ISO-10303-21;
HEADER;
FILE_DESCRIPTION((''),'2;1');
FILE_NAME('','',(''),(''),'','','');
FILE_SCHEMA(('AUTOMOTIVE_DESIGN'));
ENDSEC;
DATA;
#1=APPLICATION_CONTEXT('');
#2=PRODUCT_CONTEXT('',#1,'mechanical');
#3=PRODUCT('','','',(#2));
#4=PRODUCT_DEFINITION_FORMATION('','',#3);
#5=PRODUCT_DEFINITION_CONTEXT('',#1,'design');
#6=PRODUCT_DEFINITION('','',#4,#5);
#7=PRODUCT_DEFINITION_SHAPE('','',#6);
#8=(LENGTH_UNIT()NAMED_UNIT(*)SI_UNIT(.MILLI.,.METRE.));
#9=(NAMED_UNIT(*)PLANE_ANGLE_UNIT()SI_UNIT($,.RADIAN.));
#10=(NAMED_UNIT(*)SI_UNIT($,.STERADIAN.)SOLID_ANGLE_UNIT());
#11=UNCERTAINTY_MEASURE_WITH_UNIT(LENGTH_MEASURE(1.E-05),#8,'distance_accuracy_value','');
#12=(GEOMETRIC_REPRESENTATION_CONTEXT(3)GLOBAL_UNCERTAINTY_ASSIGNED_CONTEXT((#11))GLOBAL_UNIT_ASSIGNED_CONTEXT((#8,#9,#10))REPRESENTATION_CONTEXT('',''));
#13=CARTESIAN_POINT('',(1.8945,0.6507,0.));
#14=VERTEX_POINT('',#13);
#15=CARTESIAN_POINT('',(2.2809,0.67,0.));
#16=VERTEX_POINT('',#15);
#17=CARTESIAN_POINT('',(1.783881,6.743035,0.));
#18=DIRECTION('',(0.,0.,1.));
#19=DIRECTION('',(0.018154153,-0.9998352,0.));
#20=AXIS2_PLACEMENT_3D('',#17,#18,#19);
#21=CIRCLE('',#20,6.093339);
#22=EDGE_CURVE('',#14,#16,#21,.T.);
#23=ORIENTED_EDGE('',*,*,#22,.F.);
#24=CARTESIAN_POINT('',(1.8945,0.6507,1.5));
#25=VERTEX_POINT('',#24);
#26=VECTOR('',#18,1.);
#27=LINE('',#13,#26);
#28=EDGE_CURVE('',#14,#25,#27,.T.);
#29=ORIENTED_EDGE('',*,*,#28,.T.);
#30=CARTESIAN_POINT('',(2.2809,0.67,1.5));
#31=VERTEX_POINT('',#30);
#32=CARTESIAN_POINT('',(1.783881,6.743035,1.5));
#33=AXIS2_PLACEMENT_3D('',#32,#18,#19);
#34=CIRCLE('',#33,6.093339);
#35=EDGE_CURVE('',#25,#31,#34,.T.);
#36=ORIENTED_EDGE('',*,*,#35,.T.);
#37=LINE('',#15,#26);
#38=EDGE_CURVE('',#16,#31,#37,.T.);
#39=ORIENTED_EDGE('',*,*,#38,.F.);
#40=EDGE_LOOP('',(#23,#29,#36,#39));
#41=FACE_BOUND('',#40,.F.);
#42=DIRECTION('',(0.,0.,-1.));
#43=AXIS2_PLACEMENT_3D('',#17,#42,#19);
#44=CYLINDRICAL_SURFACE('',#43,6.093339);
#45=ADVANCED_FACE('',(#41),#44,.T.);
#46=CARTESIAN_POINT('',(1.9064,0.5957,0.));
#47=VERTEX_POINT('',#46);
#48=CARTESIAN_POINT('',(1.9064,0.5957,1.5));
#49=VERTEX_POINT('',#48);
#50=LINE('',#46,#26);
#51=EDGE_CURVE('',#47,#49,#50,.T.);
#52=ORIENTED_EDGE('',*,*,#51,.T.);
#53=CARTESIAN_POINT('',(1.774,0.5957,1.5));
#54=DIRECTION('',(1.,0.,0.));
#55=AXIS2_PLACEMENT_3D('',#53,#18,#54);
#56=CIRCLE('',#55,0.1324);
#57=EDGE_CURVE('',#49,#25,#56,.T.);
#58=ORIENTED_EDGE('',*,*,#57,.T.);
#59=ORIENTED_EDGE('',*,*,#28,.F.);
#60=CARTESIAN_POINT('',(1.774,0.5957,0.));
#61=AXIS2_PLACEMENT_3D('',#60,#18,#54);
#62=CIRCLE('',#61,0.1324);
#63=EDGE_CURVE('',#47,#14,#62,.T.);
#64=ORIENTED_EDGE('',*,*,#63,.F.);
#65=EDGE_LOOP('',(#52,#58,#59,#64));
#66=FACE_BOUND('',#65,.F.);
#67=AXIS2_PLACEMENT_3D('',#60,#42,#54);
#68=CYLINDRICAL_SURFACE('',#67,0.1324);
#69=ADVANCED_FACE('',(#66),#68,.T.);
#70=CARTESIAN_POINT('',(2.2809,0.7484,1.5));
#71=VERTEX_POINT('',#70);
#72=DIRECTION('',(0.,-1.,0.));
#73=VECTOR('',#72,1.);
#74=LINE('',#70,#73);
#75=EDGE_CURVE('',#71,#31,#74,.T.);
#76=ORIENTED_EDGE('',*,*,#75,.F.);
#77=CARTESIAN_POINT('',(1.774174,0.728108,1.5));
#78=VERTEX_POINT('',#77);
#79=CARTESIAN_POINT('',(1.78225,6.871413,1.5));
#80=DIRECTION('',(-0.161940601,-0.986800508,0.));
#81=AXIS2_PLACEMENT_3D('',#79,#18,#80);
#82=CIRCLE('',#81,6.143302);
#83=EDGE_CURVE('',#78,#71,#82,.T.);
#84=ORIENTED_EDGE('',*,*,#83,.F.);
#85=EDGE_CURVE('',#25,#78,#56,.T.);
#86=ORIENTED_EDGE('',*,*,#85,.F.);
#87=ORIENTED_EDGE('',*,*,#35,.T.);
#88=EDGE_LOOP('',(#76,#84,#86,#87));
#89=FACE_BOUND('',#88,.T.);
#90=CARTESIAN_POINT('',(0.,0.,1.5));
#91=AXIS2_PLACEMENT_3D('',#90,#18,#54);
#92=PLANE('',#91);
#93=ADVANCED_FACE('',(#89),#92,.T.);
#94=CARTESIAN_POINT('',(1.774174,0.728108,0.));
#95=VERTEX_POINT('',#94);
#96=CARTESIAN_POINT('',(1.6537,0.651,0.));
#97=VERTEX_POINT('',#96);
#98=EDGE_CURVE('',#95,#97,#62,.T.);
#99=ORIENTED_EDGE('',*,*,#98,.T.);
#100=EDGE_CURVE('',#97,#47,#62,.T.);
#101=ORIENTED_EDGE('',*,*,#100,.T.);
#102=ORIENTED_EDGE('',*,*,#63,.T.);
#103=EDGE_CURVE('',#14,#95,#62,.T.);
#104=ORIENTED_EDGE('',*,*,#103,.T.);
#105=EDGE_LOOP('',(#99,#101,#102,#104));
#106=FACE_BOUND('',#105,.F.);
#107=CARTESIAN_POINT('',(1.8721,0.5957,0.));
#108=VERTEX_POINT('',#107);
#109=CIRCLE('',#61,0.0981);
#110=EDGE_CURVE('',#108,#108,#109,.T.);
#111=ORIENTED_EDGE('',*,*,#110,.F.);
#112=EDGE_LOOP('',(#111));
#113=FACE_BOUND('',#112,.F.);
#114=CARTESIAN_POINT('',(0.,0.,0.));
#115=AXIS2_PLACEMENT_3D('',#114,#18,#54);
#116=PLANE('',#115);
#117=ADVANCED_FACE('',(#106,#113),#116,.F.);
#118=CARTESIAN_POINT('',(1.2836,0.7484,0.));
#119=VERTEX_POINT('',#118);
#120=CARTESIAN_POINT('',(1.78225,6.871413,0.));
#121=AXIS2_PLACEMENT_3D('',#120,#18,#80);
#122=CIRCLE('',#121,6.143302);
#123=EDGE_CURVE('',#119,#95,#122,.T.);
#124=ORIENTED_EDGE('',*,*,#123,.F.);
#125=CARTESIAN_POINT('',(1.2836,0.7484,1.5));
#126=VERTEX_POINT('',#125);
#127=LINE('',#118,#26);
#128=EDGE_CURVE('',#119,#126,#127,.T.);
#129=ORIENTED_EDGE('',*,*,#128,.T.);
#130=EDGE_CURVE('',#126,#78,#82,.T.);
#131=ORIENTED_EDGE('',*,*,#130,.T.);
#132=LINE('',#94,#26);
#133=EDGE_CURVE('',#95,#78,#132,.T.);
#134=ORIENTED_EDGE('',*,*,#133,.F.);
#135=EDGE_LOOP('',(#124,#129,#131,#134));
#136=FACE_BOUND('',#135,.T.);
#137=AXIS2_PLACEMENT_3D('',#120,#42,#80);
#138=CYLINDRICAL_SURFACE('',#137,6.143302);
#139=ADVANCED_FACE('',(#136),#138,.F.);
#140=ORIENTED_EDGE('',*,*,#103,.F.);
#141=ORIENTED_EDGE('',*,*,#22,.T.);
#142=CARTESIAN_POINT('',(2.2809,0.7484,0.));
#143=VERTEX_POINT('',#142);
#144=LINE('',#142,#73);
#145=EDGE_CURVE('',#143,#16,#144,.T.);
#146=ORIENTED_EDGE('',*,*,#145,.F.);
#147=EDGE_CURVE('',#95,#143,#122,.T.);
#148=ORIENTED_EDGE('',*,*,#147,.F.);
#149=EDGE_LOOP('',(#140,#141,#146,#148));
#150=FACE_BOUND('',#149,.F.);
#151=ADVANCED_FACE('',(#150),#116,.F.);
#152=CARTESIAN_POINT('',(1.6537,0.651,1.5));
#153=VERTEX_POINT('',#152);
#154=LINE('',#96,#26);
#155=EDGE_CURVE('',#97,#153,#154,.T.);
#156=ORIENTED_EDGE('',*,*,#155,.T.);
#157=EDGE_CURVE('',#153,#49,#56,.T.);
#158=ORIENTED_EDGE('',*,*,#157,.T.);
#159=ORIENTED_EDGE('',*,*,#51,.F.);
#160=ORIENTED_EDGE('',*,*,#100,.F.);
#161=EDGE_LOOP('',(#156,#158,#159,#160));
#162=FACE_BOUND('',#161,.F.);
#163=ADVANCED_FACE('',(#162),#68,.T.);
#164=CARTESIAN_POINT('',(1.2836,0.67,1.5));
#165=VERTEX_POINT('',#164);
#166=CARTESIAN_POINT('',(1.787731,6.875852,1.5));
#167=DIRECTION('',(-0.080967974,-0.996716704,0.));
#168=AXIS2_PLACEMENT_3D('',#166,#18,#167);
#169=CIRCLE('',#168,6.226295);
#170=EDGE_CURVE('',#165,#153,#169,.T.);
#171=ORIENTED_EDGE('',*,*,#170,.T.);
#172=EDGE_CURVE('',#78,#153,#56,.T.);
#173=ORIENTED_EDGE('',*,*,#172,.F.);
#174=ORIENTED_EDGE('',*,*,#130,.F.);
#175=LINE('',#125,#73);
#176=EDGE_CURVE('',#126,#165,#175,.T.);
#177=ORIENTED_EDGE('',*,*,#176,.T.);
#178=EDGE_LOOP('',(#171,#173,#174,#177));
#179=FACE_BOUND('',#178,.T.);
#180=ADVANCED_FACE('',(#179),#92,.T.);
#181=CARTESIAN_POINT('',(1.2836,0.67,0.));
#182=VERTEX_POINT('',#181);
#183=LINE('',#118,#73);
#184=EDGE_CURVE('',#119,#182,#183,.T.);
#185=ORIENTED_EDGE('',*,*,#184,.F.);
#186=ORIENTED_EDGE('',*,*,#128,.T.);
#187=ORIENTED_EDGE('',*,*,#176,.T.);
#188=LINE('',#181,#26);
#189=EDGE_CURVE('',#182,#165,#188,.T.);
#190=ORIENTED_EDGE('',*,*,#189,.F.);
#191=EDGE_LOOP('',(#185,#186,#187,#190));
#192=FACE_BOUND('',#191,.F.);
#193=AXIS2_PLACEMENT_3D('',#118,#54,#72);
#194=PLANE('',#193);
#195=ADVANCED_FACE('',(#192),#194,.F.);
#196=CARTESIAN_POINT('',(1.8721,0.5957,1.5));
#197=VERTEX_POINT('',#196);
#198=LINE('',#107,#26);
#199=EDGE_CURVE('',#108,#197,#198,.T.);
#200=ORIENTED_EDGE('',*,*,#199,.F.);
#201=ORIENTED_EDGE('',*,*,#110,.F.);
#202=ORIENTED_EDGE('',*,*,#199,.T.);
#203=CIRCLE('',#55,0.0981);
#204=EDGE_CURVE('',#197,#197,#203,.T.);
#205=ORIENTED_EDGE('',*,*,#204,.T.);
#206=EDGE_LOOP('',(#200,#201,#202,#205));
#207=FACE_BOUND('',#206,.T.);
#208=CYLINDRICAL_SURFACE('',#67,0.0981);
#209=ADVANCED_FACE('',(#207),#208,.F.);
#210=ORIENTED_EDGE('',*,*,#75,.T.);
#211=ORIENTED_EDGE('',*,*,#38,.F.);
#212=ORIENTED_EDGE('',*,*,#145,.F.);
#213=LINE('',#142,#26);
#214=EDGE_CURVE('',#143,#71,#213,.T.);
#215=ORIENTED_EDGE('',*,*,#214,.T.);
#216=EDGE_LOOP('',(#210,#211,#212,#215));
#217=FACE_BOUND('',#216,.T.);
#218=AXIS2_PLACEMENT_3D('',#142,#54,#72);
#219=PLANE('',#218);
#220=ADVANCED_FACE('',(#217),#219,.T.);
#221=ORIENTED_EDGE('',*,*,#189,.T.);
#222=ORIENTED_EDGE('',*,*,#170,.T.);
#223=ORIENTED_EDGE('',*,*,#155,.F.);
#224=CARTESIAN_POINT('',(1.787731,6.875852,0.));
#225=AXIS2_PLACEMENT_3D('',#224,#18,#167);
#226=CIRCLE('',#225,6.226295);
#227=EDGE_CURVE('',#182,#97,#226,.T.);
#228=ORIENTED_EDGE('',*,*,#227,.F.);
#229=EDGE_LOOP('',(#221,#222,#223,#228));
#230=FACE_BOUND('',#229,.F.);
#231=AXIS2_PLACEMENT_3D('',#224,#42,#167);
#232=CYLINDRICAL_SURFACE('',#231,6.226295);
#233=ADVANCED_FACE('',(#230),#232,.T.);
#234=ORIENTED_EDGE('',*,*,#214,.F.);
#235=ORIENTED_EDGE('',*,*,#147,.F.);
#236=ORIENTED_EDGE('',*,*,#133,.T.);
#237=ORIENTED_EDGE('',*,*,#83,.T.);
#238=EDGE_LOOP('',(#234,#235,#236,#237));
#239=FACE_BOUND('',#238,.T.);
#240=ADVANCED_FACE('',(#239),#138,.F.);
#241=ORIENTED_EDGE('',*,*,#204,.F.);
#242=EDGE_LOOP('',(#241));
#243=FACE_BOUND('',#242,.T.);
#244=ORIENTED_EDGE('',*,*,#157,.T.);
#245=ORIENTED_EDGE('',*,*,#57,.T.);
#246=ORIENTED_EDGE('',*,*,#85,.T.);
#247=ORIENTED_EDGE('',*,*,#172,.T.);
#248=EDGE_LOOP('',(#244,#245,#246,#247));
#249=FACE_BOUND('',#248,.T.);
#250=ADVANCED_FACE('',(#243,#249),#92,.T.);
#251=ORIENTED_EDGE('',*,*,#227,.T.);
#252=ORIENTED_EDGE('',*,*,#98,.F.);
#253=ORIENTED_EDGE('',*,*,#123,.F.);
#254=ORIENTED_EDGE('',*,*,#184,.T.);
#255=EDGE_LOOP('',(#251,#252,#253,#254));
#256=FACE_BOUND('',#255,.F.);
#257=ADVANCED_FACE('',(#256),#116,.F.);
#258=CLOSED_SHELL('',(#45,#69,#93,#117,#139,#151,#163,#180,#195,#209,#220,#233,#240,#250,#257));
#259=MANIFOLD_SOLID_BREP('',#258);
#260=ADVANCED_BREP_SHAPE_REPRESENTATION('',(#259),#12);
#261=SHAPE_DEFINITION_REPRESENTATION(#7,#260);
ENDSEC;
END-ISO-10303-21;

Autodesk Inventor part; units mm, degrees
ref_plane "YZ Plane" through (0, 0, 0) normal (1, 0, 0) x (0, 1, 0)
ref_plane "XZ Plane" through (0, 0, 0) normal (0, 1, 0) x (-1, 0, 0)
ref_plane "XY Plane" through (0, 0, 0) normal (0, 0, 1) x (1, 0, 0)
sketch "Boceto1" plane through (0, 0, 0) normal (0, 0, 1) x (1, 0, 0)
  arc A0 (0.7874, 0.8092) -> (2.7771, 0.8092) centre (1.7822, 6.8708) ccw
  circle A1 centre (1.774, 0.5957) radius 0.0981
  circle A2 centre (1.774, 0.5957) radius 0.1324
  line L0 (2.2809, 0.7484) -> (2.2809, 0.67)
  line L1 (1.2836, 0.7484) -> (1.2836, 0.67)
  arc A3 (1.2836, 0.67) -> (1.6537, 0.651) centre (1.7822, 6.7924) ccw
  arc A4 (1.8945, 0.6507) -> (2.2809, 0.67) centre (1.7822, 6.7924) ccw
  point P0 (0, 0)
extrude "Extrusión1" add sketch "Boceto1" along normal blind 1.5
properties part number "ET24"
